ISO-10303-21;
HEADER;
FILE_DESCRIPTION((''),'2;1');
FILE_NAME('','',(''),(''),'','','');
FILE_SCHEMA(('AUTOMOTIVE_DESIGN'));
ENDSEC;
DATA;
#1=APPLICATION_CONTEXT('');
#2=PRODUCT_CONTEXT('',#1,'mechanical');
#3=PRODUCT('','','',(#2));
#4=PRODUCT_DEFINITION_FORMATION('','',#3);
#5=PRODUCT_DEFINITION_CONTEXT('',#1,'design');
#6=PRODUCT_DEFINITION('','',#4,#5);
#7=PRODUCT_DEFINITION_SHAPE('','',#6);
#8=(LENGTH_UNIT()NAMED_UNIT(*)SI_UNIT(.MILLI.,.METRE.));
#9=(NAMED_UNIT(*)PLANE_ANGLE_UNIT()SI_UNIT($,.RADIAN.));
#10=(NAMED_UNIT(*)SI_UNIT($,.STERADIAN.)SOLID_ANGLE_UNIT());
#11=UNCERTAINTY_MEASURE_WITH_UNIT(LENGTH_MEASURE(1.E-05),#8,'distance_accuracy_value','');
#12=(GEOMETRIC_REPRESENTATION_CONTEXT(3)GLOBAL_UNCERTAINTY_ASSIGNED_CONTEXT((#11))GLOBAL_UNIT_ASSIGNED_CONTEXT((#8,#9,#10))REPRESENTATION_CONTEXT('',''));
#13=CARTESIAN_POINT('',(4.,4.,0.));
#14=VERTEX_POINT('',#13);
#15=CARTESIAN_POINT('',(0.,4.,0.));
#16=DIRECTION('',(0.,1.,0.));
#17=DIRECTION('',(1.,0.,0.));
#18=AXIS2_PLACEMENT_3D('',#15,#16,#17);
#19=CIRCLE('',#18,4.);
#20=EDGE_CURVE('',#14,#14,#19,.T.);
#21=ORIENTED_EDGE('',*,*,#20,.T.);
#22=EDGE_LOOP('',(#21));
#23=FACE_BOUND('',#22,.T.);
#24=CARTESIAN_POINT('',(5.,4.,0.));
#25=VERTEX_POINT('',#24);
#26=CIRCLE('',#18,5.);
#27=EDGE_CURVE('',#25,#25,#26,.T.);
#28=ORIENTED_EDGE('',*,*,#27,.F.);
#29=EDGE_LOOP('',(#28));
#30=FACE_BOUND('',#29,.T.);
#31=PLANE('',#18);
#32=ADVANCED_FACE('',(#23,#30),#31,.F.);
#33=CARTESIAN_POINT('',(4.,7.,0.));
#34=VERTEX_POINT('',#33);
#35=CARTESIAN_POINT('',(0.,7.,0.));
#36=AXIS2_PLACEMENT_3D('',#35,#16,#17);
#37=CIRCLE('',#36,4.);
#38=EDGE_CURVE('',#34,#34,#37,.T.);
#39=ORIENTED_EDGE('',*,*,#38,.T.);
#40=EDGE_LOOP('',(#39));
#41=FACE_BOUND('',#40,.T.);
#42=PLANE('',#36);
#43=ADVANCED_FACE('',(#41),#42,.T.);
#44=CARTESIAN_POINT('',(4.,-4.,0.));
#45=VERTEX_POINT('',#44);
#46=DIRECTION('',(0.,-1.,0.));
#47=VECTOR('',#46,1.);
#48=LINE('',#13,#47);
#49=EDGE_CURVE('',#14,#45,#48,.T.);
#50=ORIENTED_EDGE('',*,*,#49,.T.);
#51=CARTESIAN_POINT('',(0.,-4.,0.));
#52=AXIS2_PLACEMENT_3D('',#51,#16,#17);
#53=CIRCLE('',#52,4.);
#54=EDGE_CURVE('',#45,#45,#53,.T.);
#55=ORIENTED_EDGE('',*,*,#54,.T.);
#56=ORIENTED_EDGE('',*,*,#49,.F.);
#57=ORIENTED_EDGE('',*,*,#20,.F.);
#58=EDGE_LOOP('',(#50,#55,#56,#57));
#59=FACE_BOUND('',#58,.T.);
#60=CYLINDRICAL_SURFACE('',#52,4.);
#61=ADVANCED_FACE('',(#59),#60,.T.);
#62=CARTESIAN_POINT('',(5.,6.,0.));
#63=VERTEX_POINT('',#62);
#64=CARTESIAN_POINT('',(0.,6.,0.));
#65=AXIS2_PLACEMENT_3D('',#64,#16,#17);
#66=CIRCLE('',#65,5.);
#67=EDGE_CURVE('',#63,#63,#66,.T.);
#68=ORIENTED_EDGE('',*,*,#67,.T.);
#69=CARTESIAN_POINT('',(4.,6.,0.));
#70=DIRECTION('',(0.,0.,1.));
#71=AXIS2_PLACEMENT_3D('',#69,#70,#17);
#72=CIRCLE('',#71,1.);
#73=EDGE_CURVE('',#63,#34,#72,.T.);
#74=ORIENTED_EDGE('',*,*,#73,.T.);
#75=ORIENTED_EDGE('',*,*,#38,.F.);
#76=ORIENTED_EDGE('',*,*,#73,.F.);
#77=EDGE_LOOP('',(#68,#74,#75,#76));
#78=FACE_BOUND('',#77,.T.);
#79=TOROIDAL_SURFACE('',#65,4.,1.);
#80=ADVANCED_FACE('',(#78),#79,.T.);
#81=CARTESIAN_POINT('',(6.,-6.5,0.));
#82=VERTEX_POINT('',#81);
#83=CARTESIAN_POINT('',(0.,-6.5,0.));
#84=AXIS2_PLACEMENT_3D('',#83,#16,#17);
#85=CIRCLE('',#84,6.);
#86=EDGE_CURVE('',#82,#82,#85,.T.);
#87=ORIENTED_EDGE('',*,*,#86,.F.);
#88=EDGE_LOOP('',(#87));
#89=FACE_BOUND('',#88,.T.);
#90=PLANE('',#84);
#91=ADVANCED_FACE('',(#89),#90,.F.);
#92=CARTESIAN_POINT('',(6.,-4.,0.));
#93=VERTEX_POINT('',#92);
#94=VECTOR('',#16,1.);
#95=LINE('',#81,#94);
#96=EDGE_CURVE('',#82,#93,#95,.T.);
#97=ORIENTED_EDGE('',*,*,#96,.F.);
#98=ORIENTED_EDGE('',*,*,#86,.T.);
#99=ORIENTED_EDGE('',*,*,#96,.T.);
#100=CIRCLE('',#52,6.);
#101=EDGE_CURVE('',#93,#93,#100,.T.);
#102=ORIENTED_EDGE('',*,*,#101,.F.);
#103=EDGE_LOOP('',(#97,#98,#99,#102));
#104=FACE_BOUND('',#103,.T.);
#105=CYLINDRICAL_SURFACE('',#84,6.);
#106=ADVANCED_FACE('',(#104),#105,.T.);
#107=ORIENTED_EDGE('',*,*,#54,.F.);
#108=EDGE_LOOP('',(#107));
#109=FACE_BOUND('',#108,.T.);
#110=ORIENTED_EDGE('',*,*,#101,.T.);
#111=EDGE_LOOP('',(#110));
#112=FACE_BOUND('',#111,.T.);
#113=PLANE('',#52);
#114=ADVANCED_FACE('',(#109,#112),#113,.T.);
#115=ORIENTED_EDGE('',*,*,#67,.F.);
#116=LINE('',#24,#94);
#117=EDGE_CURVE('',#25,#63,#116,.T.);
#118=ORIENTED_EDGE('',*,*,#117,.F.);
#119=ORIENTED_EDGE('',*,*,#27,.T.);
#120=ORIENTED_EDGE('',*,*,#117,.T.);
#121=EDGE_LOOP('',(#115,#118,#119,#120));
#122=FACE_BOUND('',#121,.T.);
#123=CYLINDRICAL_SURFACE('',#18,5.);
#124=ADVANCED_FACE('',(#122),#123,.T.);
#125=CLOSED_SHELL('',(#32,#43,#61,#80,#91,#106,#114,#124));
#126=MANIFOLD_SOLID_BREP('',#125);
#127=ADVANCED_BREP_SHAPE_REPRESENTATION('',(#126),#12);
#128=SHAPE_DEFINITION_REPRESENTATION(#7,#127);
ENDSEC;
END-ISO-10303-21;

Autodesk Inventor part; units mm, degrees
ref_plane "YZ Plane" through (0, 0, 0) normal (1, 0, 0) x (0, 1, 0)
ref_plane "XZ Plane" through (0, 0, 0) normal (0, 1, 0) x (-1, 0, 0)
ref_plane "XY Plane" through (0, 0, 0) normal (0, 0, 1) x (1, 0, 0)
sketch "Sketch1" plane through (0, 0, 0) normal (0, 0, 1) x (1, 0, 0)
  line L0 (-1.2, 0) -> (7.2, 0) projected
  line L1 (0, -9.2414) -> (0, 9.9485) projected
  line L2 (0, -6.5) -> (6, -6.5)
  line L3 (6, -6.5) -> (6, -4)
  line L4 (6, -4) -> (4, -4)
  line L5 (4, -4) -> (4, 4)
  line L6 (4, 4) -> (5, 4)
  line L7 (5, 4) -> (5, 6)
  line L8 (4, 7) -> (0, 7)
  arc A0 (5, 6) -> (4, 7) centre (4, 6) ccw
  point P0 (0, 0)
  point P1 (4, 0)
  dimension "d1" = 10
  dimension "d2" = 8
  dimension "d3" = 12
  dimension "d4" = 8
  dimension "d5" = 3
  dimension "d6" = 2.5
  dimension "d7" = 1
revolve "Revolution1" add sketch "Sketch1" angle 360 about axis through (0, -10, 0) along (0, 1, 0)
properties part number "314-13" material "Stainless Steel"
